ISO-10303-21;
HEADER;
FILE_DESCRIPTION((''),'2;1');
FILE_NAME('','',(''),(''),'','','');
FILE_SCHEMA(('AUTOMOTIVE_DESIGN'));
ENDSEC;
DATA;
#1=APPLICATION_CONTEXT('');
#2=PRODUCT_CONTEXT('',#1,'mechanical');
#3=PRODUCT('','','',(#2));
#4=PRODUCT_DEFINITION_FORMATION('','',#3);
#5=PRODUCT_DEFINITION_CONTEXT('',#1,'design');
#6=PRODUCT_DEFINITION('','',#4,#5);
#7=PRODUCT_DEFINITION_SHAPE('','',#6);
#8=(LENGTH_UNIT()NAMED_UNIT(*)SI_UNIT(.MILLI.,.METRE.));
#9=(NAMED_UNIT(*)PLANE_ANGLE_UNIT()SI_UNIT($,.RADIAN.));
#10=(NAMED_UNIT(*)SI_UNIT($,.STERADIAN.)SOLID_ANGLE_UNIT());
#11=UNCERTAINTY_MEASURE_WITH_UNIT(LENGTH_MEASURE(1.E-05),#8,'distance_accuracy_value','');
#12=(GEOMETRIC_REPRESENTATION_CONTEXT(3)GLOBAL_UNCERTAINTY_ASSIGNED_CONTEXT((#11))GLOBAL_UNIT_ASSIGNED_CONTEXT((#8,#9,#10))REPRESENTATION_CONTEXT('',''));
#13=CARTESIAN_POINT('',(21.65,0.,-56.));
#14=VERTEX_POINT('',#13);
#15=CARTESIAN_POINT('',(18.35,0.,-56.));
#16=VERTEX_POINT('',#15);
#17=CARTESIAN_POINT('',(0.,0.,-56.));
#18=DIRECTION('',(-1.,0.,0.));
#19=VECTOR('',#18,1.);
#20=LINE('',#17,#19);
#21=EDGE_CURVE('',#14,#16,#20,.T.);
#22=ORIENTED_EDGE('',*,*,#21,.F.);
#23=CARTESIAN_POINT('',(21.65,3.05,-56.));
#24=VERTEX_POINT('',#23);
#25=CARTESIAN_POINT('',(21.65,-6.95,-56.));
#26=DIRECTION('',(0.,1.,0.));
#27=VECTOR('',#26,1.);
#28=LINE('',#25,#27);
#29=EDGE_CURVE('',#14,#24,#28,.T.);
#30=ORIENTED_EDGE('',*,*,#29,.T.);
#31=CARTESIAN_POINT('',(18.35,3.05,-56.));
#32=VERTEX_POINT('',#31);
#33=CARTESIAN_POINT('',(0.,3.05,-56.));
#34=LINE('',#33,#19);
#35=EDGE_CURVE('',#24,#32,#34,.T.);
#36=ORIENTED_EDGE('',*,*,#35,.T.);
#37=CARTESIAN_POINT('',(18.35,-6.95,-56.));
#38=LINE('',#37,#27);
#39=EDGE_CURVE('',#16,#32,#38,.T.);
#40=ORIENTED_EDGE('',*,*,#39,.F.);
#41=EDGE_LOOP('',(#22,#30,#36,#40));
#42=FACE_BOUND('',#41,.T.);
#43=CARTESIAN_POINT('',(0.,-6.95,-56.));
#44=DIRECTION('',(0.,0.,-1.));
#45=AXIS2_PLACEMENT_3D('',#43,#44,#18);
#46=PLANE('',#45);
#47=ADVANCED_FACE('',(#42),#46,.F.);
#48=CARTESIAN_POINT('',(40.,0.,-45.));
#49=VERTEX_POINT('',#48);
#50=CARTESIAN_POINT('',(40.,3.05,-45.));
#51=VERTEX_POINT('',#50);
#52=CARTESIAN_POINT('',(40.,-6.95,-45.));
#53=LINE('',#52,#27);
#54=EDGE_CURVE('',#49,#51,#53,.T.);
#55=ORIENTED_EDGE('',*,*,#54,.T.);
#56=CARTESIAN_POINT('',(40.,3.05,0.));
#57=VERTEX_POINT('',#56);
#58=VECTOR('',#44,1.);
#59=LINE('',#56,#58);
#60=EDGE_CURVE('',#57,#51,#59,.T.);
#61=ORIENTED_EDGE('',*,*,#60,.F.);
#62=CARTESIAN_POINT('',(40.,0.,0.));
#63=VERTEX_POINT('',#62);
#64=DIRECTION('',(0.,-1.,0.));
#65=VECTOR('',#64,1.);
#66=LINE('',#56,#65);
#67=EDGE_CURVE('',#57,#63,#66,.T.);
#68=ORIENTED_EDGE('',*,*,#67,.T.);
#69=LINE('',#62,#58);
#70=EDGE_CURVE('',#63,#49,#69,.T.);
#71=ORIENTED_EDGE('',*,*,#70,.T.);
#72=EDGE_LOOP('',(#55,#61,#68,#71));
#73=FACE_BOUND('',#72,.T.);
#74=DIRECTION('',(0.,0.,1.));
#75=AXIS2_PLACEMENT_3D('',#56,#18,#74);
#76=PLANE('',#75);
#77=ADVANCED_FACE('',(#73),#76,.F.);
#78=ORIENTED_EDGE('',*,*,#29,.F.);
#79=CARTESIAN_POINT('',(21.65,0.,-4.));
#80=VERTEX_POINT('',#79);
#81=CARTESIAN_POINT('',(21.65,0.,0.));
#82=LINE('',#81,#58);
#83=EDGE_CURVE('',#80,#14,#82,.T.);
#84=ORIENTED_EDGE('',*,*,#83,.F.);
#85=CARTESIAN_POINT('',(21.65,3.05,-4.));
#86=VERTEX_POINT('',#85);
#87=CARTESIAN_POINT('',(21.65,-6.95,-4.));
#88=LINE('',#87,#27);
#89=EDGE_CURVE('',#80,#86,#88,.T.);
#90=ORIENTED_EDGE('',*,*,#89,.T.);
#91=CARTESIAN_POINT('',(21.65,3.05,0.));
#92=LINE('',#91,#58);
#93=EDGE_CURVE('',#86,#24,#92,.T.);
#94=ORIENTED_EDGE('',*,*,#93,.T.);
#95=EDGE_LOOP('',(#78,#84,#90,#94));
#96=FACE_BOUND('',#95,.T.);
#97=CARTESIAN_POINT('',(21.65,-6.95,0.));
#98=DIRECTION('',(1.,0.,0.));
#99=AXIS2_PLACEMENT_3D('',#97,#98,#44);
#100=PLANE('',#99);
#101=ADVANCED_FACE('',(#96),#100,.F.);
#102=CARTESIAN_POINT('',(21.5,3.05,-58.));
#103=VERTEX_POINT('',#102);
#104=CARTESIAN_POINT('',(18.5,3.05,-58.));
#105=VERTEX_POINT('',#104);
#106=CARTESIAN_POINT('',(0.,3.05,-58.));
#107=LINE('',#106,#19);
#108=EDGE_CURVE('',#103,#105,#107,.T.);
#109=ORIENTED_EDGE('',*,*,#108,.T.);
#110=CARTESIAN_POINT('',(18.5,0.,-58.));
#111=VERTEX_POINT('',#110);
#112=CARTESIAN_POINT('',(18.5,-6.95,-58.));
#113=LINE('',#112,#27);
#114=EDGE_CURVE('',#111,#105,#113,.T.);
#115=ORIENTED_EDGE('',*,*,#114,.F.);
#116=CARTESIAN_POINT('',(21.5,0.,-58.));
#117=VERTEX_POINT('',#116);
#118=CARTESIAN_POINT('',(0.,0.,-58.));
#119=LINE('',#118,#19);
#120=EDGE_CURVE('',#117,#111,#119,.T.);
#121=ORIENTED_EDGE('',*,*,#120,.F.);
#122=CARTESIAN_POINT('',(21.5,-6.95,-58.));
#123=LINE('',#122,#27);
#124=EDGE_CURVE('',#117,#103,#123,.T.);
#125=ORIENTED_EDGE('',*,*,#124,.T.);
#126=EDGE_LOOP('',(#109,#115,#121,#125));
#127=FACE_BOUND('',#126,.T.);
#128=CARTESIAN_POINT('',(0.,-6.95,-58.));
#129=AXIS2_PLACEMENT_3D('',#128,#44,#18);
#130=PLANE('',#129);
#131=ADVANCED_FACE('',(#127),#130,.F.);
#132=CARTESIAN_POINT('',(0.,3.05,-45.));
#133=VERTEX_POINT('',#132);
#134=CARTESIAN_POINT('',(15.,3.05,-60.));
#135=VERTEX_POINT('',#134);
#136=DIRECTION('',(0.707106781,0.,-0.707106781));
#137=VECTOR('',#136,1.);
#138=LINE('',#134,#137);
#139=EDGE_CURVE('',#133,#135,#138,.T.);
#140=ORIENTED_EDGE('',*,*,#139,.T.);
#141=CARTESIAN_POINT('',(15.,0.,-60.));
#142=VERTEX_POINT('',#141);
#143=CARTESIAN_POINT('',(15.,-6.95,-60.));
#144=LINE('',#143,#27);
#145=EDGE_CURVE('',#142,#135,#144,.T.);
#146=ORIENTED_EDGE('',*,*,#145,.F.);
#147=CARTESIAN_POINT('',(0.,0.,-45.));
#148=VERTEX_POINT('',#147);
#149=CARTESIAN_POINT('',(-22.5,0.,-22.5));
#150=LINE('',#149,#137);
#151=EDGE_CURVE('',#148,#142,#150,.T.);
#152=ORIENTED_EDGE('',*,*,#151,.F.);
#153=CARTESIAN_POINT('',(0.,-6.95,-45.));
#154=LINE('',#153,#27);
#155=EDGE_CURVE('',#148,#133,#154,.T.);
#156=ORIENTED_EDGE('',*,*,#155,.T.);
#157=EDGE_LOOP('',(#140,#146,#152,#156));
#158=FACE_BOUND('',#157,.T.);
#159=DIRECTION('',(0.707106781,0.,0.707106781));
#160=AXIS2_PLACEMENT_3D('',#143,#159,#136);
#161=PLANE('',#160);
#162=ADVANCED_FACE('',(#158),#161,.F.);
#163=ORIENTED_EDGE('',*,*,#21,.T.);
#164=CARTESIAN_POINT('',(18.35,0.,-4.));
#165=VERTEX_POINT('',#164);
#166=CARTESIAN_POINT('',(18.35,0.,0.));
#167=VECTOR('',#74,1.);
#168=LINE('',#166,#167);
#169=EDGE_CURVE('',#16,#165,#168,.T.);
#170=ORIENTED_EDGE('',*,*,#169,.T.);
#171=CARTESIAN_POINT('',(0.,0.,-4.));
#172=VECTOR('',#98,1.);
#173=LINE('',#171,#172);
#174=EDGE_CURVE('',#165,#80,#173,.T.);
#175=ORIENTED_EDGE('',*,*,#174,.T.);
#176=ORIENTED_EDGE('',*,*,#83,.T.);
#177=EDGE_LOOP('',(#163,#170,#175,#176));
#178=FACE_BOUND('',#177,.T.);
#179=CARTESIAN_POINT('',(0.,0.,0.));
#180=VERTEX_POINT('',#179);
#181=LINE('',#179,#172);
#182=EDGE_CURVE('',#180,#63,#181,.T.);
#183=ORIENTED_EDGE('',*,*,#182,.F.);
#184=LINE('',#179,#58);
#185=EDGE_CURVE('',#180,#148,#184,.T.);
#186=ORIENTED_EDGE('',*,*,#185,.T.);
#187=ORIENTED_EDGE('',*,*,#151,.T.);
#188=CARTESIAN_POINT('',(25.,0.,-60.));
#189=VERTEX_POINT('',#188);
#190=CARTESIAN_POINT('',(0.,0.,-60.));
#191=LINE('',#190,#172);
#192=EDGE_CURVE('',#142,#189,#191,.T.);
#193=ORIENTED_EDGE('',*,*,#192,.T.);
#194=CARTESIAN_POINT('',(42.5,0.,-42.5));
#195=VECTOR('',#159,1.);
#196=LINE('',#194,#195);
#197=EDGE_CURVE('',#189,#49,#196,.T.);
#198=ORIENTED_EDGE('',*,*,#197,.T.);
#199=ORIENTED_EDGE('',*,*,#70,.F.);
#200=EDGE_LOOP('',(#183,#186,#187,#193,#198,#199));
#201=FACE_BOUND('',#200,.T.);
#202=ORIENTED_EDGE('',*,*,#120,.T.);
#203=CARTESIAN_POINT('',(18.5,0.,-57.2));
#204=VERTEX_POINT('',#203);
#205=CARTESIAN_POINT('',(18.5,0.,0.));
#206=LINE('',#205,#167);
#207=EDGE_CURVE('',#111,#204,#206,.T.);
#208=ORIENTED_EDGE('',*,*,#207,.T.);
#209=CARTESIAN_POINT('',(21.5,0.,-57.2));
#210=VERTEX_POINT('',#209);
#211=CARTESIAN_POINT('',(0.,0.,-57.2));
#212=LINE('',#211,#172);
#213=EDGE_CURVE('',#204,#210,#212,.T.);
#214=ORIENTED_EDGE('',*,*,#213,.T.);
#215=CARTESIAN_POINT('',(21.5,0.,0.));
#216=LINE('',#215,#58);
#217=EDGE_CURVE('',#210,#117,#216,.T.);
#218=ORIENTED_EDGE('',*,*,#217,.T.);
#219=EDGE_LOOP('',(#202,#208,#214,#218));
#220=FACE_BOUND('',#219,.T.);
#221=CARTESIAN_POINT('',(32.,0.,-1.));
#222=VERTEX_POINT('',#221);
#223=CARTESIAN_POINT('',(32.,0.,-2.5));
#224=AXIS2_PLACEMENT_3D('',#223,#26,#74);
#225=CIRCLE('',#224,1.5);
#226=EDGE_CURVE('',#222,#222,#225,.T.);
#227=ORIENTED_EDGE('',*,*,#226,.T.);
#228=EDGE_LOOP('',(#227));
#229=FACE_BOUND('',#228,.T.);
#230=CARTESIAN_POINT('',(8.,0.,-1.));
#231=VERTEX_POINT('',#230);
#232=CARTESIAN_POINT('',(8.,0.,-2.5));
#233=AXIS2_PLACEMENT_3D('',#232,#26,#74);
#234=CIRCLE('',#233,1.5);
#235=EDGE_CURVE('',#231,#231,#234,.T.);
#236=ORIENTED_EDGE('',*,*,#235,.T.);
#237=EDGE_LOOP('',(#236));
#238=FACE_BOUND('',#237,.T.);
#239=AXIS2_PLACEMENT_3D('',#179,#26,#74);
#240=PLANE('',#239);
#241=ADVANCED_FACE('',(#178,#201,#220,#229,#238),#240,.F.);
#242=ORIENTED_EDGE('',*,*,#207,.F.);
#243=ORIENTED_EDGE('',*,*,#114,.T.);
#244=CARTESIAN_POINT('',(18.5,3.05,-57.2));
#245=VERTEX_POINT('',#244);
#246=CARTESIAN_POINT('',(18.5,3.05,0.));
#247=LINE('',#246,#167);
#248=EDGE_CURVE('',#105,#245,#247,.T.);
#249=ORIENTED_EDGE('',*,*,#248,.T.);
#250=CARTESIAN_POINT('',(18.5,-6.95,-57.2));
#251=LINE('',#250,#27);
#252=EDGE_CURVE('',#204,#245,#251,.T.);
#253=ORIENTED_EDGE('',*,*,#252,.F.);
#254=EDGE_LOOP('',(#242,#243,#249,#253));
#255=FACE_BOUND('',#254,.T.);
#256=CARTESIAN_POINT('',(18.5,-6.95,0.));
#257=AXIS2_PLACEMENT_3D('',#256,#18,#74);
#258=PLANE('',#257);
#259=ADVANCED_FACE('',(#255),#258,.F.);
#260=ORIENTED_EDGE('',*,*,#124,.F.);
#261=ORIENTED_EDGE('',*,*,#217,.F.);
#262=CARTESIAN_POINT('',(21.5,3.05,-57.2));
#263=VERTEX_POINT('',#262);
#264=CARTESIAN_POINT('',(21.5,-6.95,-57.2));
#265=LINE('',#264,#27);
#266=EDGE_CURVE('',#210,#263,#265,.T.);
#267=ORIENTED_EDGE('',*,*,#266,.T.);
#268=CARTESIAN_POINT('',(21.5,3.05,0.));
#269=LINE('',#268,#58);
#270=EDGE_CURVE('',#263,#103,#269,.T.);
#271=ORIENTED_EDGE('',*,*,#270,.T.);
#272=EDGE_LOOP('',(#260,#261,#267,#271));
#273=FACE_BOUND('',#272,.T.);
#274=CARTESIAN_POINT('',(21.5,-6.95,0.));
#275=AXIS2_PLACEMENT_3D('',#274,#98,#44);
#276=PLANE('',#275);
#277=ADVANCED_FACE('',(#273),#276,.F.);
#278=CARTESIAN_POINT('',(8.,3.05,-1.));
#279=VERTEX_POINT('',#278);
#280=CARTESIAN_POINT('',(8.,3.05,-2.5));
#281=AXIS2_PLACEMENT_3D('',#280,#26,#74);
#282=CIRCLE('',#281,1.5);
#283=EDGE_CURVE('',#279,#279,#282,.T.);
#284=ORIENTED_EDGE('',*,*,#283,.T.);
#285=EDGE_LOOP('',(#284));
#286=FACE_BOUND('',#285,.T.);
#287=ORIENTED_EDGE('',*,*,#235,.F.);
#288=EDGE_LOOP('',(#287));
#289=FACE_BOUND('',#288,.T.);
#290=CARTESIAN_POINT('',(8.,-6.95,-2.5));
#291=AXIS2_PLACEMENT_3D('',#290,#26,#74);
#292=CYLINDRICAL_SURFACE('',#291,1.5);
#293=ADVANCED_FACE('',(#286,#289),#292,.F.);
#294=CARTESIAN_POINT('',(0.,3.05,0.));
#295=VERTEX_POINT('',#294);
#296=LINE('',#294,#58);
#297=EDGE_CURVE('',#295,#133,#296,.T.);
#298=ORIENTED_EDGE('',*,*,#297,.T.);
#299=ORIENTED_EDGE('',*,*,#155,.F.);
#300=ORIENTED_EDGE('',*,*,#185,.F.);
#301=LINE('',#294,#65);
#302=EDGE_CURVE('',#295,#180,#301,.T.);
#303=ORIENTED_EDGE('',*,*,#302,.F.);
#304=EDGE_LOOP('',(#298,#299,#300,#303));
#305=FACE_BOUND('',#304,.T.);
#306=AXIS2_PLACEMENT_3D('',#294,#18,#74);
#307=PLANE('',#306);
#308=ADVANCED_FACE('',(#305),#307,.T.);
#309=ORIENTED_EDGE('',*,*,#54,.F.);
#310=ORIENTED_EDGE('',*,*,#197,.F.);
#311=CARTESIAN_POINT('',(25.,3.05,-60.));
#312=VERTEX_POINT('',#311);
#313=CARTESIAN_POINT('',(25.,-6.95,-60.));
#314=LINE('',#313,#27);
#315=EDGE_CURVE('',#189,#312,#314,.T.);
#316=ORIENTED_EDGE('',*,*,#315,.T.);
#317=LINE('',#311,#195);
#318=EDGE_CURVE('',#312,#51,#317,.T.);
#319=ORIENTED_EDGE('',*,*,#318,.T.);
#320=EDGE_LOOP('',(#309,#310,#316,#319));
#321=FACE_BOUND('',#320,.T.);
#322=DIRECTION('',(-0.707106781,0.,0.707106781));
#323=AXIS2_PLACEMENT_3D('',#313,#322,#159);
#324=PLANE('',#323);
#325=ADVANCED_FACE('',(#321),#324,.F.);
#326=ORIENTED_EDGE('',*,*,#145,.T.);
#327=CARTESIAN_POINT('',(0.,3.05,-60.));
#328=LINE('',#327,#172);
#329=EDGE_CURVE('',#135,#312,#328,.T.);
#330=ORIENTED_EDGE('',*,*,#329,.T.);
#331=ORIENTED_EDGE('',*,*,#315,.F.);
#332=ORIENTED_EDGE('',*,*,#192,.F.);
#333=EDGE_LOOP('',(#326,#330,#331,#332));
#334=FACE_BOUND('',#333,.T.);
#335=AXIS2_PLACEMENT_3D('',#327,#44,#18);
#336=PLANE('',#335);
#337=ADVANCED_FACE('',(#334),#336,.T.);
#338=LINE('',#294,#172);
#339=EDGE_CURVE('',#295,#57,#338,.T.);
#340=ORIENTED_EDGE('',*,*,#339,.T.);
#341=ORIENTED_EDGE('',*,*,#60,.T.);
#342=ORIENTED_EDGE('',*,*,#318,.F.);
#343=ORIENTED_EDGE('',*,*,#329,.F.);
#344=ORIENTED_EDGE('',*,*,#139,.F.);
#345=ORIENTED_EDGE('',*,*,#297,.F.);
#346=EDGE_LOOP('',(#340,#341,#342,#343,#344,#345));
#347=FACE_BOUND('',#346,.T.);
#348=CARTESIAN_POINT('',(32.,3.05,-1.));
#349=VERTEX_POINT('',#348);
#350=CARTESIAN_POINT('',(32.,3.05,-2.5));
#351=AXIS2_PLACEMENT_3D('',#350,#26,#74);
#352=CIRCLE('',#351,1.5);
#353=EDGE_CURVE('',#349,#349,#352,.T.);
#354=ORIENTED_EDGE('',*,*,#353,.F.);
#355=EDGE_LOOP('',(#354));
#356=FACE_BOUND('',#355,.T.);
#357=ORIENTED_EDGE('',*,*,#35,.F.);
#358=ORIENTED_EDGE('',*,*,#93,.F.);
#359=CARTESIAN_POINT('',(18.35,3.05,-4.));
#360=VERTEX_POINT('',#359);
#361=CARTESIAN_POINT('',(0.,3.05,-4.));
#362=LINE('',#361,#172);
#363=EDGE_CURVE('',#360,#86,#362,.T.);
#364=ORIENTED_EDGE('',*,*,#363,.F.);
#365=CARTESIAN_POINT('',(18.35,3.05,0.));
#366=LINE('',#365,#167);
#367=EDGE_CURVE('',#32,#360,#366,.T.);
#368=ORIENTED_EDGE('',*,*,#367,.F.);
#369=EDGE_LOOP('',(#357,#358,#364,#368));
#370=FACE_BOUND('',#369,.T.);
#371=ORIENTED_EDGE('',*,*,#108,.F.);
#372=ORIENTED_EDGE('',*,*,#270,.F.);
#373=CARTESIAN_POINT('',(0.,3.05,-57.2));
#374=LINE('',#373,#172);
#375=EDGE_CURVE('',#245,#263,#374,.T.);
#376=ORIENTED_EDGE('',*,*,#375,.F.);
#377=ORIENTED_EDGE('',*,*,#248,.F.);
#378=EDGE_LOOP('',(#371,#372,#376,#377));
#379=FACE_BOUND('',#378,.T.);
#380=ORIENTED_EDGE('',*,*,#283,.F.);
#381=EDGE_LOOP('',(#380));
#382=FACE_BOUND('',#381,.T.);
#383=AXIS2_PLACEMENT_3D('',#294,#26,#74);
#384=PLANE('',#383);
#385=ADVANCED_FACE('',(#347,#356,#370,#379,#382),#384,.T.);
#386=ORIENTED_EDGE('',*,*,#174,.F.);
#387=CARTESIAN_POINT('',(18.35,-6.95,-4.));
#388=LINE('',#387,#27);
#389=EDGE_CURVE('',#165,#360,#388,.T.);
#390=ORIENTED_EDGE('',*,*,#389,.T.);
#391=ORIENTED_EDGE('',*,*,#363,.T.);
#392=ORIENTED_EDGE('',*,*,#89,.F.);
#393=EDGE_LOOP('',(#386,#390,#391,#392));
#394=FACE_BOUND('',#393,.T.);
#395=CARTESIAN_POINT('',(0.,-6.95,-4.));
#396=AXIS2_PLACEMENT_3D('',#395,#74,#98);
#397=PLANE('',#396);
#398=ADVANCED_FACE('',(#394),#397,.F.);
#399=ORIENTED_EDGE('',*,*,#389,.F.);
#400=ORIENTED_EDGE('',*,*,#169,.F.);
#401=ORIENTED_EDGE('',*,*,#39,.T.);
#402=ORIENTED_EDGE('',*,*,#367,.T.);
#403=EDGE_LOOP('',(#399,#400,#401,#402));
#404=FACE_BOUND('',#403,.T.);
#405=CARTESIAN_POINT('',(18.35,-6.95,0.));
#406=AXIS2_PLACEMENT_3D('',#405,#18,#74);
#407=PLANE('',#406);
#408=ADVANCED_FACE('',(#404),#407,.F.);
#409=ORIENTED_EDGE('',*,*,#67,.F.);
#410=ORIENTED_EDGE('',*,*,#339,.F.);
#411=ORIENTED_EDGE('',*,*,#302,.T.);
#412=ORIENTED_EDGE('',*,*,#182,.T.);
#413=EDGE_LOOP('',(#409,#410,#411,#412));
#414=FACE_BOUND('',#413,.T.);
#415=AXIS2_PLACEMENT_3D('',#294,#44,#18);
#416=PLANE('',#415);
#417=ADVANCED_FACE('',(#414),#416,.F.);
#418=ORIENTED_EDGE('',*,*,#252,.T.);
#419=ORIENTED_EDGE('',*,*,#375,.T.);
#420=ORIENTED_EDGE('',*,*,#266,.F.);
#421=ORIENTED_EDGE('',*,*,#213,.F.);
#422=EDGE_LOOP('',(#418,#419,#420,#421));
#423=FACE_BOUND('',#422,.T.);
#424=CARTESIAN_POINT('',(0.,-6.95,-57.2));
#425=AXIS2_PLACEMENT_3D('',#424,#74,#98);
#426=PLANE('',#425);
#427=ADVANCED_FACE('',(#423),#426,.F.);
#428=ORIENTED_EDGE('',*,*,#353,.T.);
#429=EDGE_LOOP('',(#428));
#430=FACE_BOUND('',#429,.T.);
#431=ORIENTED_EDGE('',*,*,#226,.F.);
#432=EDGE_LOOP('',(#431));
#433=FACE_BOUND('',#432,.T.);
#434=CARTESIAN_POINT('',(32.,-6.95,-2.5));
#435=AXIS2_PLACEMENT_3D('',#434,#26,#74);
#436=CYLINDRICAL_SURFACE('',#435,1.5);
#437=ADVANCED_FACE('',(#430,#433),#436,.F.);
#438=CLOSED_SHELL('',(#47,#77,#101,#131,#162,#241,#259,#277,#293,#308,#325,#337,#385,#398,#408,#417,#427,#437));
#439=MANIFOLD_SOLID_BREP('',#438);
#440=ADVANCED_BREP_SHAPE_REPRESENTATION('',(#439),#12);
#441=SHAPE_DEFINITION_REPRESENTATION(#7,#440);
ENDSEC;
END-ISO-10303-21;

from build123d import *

# Parameters (mm, degrees)
SKETCH1_W           = 40
SKETCH1_H           = 60
BOSS_EXTRUDE1_DEPTH = 3.05
SKETCH4_W           = 3.3
SKETCH4_H           = 52
SKETCH4_W_2         = 3
SKETCH4_H_2         = 0.8
CUT_EXTRUDE1_DEPTH  = 10
CUT_EXTRUDE3_DEPTH  = 10
SKETCH7_R           = 1.5
CUT_EXTRUDE4_DEPTH  = 10


with BuildPart() as part:
    # Sketch1 → Boss-Extrude1 (new body)
    with BuildSketch(Plane(origin=(0, 0, 0), x_dir=(1, 0, 0), z_dir=(0, 1, 0))):
        with Locations((20, 30)):
            Rectangle(SKETCH1_W, SKETCH1_H)
    extrude(amount=BOSS_EXTRUDE1_DEPTH)

    # Sketch4 → Cut-Extrude1 (cut)
    with BuildSketch(Plane(origin=(0, 3.05, 0), x_dir=(1, 0, 0), z_dir=(0, 1, 0))):
        with Locations((20, 30)):
            Rectangle(SKETCH4_W, SKETCH4_H)
        with Locations((20, 57.6)):
            Rectangle(SKETCH4_W_2, SKETCH4_H_2)
    extrude(amount=-CUT_EXTRUDE1_DEPTH, mode=Mode.SUBTRACT)

    # Sketch6 → Cut-Extrude3 (cut)
    with BuildSketch(Plane(origin=(0, 3.05, 0), x_dir=(1, 0, 0), z_dir=(0, 1, 0))):
        Polygon((0, 60), (0, 45), (15, 60), align=None)
        Polygon((40, 60), (40, 45), (25, 60), align=None)
    extrude(amount=-CUT_EXTRUDE3_DEPTH, mode=Mode.SUBTRACT)

    # Sketch7 → Cut-Extrude4 (cut)
    with BuildSketch(Plane(origin=(0, 3.05, 0), x_dir=(1, 0, 0), z_dir=(0, 1, 0))):
        with Locations(Location((8, 2.5, 0), (0, 0, 270))):
            Circle(SKETCH7_R)
        with Locations(Location((32, 2.5, 0), (0, 0, 270))):
            Circle(SKETCH7_R)
    extrude(amount=-CUT_EXTRUDE4_DEPTH, mode=Mode.SUBTRACT)


solid = part.part
